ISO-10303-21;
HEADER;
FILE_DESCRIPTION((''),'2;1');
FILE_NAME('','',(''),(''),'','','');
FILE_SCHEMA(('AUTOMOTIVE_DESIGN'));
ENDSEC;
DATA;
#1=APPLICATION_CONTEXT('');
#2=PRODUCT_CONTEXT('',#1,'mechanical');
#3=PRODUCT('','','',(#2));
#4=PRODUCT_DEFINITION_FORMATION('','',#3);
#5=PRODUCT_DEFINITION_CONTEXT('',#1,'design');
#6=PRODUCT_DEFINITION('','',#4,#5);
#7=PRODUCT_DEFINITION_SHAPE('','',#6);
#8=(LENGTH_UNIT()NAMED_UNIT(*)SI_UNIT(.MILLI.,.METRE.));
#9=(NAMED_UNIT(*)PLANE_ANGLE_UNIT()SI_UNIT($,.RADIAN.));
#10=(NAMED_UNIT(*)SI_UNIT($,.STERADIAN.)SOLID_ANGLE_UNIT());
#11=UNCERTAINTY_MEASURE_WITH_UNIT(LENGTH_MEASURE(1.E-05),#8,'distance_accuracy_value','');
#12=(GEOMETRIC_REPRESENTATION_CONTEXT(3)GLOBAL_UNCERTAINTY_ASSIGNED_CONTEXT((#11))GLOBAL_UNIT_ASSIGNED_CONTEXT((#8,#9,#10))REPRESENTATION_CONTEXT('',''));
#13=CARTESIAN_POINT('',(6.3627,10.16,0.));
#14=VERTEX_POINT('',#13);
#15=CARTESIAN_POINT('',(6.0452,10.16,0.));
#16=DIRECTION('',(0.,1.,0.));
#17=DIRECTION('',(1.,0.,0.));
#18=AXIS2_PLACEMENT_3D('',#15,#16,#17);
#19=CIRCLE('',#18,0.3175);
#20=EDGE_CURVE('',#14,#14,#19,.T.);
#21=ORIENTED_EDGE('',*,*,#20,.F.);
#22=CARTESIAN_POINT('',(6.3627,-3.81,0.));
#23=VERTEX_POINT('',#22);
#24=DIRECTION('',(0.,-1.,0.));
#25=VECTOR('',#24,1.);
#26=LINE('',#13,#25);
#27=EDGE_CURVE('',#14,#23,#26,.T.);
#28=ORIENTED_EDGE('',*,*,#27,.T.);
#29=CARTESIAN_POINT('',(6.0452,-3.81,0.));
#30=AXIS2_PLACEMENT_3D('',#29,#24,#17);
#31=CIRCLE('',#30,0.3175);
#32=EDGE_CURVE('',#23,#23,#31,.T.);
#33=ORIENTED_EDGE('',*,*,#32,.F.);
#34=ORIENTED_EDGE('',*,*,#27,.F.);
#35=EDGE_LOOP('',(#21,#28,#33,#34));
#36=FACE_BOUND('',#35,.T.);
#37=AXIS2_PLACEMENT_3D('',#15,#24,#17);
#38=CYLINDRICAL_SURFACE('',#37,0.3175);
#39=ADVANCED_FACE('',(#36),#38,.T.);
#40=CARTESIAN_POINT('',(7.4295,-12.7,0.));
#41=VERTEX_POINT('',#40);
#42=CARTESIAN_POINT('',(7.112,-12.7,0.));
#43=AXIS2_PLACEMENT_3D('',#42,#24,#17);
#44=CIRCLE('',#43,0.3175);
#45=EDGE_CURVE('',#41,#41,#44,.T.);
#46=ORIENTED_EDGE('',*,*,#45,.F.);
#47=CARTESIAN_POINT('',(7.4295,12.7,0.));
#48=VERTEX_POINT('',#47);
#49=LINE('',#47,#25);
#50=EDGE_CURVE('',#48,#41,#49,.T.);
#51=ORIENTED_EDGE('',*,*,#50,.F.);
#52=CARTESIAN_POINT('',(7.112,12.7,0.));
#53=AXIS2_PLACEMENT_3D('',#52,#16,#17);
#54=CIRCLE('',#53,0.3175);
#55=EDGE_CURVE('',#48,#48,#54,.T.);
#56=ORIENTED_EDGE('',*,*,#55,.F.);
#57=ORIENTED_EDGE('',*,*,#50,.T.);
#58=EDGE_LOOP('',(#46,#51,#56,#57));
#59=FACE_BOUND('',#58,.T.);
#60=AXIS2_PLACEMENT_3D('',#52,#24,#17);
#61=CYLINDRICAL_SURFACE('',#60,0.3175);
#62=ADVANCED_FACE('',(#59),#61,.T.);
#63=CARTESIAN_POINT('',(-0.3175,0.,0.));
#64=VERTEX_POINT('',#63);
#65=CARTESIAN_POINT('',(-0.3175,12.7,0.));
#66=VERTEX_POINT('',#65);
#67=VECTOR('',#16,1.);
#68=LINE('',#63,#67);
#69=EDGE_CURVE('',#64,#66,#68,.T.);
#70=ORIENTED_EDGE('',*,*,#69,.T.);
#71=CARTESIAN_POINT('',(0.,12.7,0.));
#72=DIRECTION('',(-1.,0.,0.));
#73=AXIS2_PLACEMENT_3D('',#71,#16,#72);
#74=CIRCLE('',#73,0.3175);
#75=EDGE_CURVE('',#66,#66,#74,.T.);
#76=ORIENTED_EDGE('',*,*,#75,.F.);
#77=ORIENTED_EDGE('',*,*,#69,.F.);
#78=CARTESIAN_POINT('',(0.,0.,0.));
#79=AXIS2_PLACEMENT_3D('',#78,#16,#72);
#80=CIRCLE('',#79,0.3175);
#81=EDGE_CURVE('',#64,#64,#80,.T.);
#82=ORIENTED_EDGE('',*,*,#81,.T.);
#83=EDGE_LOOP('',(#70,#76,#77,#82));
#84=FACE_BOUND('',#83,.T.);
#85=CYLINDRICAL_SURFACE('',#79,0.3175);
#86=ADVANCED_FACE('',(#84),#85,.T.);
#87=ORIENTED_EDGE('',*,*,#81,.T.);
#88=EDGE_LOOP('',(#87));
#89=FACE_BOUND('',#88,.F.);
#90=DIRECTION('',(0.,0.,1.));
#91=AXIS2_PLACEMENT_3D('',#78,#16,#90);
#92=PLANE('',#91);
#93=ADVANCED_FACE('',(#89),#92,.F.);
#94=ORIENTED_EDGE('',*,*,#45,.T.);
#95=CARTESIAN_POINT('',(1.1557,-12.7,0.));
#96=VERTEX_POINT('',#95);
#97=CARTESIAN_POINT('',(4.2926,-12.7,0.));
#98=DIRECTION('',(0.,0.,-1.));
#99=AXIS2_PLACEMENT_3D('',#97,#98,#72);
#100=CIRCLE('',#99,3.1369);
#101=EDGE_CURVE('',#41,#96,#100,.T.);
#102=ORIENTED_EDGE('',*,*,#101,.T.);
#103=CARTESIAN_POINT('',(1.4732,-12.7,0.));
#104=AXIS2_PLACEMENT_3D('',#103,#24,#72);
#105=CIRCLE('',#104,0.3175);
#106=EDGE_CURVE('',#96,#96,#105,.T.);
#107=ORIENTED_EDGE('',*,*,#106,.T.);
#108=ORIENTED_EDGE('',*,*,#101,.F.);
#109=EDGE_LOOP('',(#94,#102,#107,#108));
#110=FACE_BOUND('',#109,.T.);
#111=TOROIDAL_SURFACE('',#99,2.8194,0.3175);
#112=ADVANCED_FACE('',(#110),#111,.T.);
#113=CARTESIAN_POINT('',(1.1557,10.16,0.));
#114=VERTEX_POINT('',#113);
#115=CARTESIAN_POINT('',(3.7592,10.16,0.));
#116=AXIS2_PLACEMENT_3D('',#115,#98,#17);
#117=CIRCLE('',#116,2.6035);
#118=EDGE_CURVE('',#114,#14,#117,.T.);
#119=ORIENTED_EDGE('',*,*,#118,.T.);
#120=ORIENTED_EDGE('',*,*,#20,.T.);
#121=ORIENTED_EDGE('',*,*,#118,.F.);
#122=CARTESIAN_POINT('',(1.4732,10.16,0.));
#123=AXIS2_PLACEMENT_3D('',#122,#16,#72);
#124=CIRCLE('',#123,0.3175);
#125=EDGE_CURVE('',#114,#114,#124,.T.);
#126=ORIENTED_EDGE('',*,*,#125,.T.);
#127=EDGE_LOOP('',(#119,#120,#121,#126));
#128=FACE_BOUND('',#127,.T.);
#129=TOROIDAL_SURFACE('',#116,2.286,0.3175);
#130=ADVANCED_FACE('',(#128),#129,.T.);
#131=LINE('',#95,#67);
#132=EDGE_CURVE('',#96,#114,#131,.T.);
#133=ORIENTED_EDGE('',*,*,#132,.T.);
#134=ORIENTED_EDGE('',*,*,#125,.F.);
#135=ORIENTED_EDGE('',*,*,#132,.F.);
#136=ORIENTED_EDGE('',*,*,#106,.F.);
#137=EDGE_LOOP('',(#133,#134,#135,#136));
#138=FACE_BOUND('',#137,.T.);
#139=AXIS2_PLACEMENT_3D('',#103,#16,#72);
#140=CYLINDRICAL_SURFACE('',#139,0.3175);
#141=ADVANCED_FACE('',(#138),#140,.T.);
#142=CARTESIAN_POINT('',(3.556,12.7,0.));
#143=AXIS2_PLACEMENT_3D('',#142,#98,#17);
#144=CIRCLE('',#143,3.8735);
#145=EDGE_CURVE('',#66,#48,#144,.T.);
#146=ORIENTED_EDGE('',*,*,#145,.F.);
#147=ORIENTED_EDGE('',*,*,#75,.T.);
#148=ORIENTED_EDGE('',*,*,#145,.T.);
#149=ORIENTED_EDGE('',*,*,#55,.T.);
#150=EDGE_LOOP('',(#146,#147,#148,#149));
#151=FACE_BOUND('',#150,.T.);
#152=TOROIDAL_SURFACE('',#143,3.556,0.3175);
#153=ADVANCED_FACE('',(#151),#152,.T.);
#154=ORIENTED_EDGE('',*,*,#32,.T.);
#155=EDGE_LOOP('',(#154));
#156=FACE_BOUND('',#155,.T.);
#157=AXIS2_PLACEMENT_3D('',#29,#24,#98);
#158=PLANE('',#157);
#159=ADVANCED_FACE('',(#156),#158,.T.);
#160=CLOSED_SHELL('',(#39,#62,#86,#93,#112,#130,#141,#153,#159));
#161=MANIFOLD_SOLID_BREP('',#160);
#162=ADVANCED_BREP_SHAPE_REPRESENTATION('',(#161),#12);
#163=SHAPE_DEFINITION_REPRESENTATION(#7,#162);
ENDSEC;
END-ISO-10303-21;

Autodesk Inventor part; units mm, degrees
ref_plane "YZ Plane" through (0, 0, 0) normal (1, 0, 0) x (0, 1, 0)
ref_plane "XZ Plane" through (0, 0, 0) normal (0, 1, 0) x (-1, 0, 0)
ref_plane "XY Plane" through (0, 0, 0) normal (0, 0, 1) x (1, 0, 0)
sketch "Sketch6" plane through (0, 0, 0) normal (0, 0, 1) x (1, 0, 0)
  line L0 (0, 0) -> (0, 12.7)
  arc A0 (7.112, 12.7) -> (0, 12.7) centre (3.556, 12.7) ccw
  line L1 (7.112, 12.7) -> (7.112, -12.7)
  arc A1 (1.4732, -12.7) -> (7.112, -12.7) centre (4.2926, -12.7) ccw
  line L2 (1.4732, -12.7) -> (1.4732, 10.16)
  arc A2 (6.0452, 10.16) -> (1.4732, 10.16) centre (3.7592, 10.16) ccw
  line L3 (6.0452, 10.16) -> (6.0452, -3.81)
  dimension "d1" = 12.7
  dimension "d2" = 25.4
  dimension "d3" = 5.6388
  dimension "d4" = 4.572
  dimension "d5" = 13.97
  dimension "d6" = 22.86
  dimension "d7" = 3.556
ref_plane "Work Plane1" through (0, 0, 0) normal (0, 1, 0) x (-1, 0, 0)
sketch "Sketch7" plane through (0, 0, 0) normal (0, 1, 0) x (-1, 0, 0)
  circle A0 centre (0, 0) radius 0.3175
  dimension "d8" = 0.635
sweep "Sweep1" add profiles "Sketch7" path "Sketch6"
properties part number "Paper Clip"
